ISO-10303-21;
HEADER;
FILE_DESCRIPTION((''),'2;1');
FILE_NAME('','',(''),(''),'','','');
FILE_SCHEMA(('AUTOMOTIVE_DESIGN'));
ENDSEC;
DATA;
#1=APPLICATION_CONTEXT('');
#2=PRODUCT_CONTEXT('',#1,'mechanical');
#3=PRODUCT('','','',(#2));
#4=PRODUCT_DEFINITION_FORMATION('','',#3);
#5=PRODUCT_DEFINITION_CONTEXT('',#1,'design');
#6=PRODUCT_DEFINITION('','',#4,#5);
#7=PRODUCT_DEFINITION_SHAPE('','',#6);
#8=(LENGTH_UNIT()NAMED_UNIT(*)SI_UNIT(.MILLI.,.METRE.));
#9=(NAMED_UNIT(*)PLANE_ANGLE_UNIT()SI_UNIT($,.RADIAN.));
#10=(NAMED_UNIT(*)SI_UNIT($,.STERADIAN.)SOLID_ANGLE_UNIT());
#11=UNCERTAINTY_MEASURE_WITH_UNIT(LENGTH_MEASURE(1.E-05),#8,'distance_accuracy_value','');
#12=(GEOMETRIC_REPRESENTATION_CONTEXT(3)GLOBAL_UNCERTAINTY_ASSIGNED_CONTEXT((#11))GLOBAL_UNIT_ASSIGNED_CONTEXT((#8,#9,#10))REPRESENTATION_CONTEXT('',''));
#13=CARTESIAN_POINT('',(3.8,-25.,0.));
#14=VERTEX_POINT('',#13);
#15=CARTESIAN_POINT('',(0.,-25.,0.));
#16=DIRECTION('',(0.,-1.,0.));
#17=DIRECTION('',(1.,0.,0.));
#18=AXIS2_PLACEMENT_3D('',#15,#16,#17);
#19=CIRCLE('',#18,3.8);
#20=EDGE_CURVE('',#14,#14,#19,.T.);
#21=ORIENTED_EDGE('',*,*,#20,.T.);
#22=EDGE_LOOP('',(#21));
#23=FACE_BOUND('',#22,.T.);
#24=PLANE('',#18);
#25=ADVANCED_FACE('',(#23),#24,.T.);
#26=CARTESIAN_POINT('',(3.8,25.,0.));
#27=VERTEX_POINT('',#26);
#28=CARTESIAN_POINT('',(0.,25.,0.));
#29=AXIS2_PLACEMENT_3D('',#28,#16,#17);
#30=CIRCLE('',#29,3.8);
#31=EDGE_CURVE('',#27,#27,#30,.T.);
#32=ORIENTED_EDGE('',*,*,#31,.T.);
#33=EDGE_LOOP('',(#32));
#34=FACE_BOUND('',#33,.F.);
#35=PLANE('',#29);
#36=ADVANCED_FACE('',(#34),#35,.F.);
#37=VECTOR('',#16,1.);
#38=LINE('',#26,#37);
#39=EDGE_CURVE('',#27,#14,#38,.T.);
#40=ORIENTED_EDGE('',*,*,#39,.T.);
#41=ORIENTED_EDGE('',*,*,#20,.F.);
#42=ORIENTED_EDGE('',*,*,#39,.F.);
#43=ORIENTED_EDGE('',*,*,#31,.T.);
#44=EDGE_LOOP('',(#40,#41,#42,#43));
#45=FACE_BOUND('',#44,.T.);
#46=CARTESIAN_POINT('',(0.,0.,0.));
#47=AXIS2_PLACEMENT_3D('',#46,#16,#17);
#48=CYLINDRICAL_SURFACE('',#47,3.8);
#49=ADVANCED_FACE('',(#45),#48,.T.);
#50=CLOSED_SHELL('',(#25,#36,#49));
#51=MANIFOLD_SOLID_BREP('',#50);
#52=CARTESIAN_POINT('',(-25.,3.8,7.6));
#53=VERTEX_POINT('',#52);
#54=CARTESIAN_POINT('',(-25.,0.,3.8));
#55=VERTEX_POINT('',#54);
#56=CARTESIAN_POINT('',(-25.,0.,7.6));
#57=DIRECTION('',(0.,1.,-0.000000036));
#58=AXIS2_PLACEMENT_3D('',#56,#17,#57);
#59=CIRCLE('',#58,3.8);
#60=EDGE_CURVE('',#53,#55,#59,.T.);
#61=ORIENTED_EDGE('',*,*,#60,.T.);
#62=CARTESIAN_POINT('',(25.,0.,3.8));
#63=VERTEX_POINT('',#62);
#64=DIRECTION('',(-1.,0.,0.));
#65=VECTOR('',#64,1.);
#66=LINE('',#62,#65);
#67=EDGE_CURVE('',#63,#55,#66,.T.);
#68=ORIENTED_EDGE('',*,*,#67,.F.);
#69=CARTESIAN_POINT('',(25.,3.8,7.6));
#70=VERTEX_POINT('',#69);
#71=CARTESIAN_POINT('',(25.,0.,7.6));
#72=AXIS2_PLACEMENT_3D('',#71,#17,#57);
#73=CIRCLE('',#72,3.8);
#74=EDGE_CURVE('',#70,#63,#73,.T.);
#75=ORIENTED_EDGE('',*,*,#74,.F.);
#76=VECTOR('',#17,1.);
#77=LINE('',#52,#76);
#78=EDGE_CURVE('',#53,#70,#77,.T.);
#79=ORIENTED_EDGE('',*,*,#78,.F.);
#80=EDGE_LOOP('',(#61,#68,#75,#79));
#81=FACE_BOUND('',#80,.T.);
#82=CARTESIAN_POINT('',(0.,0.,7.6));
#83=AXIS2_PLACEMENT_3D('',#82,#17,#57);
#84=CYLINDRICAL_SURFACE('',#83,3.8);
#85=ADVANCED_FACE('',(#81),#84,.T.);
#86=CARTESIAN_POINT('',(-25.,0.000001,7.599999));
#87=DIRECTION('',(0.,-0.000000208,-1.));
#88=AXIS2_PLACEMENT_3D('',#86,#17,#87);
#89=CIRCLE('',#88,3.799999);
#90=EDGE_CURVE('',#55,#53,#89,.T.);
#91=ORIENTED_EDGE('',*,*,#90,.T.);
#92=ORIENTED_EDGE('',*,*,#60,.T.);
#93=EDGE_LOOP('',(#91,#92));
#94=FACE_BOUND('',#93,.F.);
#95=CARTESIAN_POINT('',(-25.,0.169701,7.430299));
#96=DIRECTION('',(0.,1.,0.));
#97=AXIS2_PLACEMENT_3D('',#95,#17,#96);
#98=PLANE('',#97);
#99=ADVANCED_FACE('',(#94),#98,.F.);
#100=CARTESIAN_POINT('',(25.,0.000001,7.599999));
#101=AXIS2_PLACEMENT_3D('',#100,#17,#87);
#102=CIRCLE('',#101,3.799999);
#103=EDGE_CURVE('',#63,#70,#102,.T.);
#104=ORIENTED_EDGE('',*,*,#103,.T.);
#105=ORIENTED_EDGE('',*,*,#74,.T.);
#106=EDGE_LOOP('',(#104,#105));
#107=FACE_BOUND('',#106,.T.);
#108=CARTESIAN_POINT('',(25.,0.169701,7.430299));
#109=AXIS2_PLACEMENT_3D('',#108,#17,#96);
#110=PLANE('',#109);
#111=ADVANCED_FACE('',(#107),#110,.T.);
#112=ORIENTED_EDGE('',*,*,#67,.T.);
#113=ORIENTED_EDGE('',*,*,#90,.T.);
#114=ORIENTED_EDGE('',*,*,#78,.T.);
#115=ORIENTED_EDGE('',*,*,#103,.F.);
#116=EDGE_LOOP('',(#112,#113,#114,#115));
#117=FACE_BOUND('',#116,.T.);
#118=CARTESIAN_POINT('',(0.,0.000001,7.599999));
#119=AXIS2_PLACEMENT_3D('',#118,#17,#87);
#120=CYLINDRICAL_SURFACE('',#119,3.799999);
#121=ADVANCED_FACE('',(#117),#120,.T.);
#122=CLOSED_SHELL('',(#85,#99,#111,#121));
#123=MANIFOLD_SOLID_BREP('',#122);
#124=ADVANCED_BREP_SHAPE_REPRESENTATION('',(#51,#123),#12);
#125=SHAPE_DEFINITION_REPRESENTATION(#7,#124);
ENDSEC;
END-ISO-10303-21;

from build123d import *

# Parameters (mm, degrees)
F0_R     = 3.8
F1_DEPTH = 25
F3_DEPTH = 25


with BuildPart() as f1:
    # F0 (on Front) → F1 (new body, symmetric)
    with BuildSketch(Plane.XZ):
        Circle(F0_R)
    extrude(amount=F1_DEPTH, both=True)


with BuildPart() as f3:
    # F2 (on Right) → F3 (new body, symmetric)
    with BuildSketch(Plane.YZ):
        with BuildLine():
            ThreePointArc((0, 3.8), (2.687006, 4.912994), (3.8, 7.6))
            ThreePointArc((3.8, 7.6), (-2.687006, 10.287006), (0, 3.8))
        make_face()
    extrude(amount=F3_DEPTH, both=True)


solid = Compound([f1.part, f3.part])
